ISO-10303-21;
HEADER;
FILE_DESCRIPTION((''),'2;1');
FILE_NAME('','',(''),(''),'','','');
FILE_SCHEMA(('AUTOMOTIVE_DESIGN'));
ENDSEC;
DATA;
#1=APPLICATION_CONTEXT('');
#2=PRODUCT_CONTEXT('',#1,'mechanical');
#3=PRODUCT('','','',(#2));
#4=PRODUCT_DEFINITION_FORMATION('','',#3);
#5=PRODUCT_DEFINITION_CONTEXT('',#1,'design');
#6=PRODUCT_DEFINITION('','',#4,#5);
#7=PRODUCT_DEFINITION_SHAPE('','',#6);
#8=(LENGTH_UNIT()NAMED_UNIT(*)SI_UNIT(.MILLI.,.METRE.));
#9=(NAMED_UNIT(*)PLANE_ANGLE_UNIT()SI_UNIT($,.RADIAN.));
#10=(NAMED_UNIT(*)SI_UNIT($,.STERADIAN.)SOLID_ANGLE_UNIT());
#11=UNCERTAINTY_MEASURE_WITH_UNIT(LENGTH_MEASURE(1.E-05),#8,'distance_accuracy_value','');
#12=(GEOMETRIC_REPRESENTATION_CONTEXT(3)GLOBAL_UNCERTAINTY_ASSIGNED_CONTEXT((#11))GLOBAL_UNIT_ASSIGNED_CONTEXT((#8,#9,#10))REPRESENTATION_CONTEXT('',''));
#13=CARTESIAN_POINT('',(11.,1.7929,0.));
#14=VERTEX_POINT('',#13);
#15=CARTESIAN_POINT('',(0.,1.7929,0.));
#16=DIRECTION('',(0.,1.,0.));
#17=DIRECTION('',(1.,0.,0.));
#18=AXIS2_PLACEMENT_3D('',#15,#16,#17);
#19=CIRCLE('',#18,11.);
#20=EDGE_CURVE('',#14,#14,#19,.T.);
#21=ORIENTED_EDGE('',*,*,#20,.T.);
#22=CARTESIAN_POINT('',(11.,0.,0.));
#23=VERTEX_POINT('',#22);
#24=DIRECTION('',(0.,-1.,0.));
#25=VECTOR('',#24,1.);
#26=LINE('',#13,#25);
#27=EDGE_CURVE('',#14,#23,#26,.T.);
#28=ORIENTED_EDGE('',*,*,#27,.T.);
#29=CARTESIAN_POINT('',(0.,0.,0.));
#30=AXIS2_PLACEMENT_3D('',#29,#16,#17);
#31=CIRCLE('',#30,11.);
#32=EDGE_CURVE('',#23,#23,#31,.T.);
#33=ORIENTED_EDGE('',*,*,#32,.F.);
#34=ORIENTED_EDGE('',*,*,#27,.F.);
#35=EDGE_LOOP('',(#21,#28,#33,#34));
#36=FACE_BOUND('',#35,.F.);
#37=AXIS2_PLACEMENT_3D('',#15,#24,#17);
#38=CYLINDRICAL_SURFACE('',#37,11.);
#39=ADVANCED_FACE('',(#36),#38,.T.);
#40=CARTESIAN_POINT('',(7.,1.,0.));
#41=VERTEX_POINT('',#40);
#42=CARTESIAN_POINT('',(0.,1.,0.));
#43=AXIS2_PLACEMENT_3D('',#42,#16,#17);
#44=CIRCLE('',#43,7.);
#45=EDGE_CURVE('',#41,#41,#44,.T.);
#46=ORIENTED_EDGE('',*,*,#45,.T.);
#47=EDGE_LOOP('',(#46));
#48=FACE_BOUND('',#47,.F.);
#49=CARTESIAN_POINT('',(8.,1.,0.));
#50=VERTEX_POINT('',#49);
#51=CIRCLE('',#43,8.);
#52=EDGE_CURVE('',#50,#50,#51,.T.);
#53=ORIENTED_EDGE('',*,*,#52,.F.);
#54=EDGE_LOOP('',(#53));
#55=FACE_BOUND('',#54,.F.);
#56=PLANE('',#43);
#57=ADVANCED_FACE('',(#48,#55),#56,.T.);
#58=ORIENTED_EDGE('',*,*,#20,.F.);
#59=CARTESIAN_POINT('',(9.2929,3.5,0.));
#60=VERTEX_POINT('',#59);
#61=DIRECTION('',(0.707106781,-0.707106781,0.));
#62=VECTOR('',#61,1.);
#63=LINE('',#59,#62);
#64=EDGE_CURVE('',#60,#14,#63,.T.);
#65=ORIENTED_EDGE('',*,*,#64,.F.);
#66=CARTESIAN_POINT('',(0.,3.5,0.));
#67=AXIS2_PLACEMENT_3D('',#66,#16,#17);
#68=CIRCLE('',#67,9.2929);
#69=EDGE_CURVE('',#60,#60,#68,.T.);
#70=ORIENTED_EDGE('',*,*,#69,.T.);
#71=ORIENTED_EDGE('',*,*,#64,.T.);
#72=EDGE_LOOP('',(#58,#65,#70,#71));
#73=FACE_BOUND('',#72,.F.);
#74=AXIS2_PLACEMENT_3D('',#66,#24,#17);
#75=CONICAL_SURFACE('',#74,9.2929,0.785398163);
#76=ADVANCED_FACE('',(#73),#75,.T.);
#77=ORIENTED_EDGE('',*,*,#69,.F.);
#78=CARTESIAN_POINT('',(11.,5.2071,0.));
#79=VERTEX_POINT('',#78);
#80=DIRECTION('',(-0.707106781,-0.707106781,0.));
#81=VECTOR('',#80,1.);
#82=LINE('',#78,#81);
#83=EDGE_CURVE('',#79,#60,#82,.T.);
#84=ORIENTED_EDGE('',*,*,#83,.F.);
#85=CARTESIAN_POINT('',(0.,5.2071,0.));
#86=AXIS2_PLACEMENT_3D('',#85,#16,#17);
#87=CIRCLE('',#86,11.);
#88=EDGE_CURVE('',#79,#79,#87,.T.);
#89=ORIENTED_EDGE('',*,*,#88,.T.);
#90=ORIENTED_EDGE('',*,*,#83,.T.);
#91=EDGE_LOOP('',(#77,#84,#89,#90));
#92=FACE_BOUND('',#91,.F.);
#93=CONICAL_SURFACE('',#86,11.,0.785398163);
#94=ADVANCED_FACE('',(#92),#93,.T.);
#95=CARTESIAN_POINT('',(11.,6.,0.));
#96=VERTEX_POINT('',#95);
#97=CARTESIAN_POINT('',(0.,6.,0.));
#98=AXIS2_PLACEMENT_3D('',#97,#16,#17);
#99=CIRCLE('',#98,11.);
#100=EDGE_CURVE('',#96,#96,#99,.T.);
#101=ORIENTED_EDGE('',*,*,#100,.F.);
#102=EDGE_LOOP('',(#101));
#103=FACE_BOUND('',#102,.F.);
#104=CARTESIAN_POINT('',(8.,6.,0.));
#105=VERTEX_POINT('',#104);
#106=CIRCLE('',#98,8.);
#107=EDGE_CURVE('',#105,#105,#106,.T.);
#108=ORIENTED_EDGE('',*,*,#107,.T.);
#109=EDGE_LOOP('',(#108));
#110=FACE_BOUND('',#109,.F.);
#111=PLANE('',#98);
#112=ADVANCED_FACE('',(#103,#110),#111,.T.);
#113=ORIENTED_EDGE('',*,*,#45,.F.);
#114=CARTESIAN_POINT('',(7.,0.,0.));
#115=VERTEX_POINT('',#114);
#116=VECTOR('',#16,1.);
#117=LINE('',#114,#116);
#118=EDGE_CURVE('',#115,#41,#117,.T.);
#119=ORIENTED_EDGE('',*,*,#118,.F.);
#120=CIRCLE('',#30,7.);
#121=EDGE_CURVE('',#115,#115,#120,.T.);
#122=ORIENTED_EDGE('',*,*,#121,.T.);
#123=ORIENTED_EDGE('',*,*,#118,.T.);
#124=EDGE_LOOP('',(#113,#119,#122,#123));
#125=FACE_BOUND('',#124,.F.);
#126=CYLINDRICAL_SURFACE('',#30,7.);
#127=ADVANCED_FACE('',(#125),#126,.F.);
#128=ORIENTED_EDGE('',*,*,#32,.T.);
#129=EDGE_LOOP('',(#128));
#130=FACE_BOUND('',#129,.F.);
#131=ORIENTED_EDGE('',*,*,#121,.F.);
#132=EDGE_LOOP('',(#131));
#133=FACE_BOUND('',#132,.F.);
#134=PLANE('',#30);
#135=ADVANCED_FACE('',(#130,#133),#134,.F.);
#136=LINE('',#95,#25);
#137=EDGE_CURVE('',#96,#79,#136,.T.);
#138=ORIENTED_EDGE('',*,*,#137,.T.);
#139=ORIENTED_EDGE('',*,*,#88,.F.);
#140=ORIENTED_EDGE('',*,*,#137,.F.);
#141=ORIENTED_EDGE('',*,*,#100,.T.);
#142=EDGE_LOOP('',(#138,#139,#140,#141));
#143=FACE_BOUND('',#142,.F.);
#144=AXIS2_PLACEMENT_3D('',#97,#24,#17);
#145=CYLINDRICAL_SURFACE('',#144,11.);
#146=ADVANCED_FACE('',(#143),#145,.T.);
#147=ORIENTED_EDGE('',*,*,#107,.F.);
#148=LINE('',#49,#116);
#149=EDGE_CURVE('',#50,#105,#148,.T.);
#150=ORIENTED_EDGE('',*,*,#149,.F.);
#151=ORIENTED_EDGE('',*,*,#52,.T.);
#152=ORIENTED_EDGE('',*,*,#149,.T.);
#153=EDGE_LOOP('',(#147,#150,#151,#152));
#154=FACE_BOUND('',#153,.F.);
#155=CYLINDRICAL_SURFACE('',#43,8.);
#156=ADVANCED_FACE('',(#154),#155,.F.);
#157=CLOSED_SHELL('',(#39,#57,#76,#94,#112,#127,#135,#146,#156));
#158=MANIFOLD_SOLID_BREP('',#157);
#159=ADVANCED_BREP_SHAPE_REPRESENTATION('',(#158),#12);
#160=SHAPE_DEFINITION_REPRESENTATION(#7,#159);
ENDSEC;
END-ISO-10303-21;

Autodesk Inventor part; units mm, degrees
ref_plane "YZ Plane" through (0, 0, 0) normal (1, 0, 0) x (0, 1, 0)
ref_plane "XZ Plane" through (0, 0, 0) normal (0, 1, 0) x (-1, 0, 0)
ref_plane "XY Plane" through (0, 0, 0) normal (0, 0, 1) x (1, 0, 0)
sketch "Sketch2" plane through (0, 0, 0) normal (0, 0, 1) x (1, 0, 0)
  line L0 (0, -7.3481) -> (0, 7.3481) construction
  line L1 (7, 0) -> (7, 1)
  line L2 (7, 1) -> (8, 1)
  line L3 (8, 1) -> (8, 6)
  line L4 (8, 6) -> (11, 6)
  line L5 (11, 6) -> (11, 5.2071)
  line L6 (11, 5.2071) -> (9.2929, 3.5)
  line L7 (9.2929, 3.5) -> (11, 1.7929)
  line L8 (11, 1.7929) -> (11, 0)
  line L9 (11, 0) -> (7, 0)
  line L10 (8, 3.5) -> (18.2259, 3.5) construction
  circle A0 centre (10, 3.5) radius 0.5 construction
  line L11 (-3.6452, 0) -> (21.8711, 0) construction
  point P0 (0, 0)
  point P1 (0, 0)
  dimension "d1" = 1
  dimension "d2" = 1
  dimension "d3" = 5
  dimension "d4" = 1
  dimension "d5" = 8
  dimension "d9" = 2
  dimension "d10" = 3
revolve "Revolution1" add sketch "Sketch2" angle 360 about axis through (0, -7.3481, 0) along (0, 1, 0)
properties part number "Straigthener Sleeve"
